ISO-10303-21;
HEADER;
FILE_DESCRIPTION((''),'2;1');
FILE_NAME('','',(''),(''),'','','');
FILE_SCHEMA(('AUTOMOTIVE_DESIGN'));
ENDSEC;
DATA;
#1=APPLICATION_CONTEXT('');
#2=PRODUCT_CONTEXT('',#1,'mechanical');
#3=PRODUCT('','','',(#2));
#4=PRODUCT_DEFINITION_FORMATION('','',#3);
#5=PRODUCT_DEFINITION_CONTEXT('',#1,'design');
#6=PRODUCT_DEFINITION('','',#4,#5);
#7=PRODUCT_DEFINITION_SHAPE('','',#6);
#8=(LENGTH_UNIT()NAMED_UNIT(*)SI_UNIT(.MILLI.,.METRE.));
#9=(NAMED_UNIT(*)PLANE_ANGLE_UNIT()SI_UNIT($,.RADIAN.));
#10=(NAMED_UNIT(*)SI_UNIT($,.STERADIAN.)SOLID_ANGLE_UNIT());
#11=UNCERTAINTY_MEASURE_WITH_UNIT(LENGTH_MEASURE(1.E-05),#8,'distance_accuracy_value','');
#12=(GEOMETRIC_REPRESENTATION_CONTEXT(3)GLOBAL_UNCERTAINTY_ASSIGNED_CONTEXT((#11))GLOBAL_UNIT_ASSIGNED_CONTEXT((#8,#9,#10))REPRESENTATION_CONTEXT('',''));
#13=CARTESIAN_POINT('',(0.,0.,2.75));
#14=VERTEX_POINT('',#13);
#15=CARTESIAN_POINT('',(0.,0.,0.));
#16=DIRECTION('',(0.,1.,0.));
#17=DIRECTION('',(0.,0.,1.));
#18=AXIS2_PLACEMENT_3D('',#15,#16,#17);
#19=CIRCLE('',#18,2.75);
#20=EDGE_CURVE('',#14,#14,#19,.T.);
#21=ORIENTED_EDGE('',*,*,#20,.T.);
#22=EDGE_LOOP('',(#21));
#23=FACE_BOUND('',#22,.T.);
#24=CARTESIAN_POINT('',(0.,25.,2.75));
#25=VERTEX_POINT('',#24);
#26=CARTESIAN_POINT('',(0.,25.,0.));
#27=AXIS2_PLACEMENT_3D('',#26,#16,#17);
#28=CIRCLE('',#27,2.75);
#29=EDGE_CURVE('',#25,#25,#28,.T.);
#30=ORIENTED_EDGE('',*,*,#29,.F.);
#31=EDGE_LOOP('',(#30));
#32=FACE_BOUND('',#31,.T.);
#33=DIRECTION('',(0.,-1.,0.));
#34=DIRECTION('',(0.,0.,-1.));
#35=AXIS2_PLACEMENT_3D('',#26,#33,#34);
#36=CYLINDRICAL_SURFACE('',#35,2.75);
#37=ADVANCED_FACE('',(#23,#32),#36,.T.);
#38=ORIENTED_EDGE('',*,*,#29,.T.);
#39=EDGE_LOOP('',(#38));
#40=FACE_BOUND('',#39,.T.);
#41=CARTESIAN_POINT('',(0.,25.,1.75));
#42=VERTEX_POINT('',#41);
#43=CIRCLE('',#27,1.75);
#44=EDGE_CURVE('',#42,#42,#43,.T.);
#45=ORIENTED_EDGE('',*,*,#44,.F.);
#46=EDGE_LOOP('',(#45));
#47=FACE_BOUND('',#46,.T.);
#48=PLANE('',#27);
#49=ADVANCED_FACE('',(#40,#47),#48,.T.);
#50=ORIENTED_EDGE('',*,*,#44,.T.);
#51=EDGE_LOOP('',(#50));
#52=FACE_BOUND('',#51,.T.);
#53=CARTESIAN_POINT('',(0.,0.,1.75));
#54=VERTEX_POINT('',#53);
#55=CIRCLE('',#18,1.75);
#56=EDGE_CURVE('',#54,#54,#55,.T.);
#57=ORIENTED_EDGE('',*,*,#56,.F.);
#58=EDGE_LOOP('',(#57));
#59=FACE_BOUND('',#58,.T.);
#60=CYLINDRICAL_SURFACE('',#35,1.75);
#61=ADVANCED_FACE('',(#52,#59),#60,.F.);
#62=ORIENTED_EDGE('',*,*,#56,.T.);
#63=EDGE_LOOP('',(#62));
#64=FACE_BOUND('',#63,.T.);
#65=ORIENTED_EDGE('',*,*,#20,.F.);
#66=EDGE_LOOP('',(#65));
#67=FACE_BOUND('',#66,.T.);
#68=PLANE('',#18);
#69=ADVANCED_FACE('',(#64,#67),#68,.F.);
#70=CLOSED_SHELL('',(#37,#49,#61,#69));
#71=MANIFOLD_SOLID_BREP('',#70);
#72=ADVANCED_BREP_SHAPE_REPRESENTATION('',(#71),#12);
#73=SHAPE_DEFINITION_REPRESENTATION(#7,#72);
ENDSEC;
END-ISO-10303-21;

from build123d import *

# Parameters (mm, degrees)
IZIM1_R                     = 2.75
IZIM1_R_2                   = 1.75
Y_KSEKLIK_EKSTR_ZYON1_DEPTH = 25


with BuildPart() as part:
    # Çizim1 → Yükseklik-Ekstrüzyon1 (new body)
    with BuildSketch(Plane(origin=(0, 0, 0), x_dir=(1, 0, 0), z_dir=(0, 1, 0))):
        with Locations(Location((0, 0, 0), (0, 0, 270))):
            Circle(IZIM1_R)
        with Locations(Location((0, 0, 0), (0, 0, 270))):
            Circle(IZIM1_R_2, mode=Mode.SUBTRACT)
    extrude(amount=Y_KSEKLIK_EKSTR_ZYON1_DEPTH)


solid = part.part
